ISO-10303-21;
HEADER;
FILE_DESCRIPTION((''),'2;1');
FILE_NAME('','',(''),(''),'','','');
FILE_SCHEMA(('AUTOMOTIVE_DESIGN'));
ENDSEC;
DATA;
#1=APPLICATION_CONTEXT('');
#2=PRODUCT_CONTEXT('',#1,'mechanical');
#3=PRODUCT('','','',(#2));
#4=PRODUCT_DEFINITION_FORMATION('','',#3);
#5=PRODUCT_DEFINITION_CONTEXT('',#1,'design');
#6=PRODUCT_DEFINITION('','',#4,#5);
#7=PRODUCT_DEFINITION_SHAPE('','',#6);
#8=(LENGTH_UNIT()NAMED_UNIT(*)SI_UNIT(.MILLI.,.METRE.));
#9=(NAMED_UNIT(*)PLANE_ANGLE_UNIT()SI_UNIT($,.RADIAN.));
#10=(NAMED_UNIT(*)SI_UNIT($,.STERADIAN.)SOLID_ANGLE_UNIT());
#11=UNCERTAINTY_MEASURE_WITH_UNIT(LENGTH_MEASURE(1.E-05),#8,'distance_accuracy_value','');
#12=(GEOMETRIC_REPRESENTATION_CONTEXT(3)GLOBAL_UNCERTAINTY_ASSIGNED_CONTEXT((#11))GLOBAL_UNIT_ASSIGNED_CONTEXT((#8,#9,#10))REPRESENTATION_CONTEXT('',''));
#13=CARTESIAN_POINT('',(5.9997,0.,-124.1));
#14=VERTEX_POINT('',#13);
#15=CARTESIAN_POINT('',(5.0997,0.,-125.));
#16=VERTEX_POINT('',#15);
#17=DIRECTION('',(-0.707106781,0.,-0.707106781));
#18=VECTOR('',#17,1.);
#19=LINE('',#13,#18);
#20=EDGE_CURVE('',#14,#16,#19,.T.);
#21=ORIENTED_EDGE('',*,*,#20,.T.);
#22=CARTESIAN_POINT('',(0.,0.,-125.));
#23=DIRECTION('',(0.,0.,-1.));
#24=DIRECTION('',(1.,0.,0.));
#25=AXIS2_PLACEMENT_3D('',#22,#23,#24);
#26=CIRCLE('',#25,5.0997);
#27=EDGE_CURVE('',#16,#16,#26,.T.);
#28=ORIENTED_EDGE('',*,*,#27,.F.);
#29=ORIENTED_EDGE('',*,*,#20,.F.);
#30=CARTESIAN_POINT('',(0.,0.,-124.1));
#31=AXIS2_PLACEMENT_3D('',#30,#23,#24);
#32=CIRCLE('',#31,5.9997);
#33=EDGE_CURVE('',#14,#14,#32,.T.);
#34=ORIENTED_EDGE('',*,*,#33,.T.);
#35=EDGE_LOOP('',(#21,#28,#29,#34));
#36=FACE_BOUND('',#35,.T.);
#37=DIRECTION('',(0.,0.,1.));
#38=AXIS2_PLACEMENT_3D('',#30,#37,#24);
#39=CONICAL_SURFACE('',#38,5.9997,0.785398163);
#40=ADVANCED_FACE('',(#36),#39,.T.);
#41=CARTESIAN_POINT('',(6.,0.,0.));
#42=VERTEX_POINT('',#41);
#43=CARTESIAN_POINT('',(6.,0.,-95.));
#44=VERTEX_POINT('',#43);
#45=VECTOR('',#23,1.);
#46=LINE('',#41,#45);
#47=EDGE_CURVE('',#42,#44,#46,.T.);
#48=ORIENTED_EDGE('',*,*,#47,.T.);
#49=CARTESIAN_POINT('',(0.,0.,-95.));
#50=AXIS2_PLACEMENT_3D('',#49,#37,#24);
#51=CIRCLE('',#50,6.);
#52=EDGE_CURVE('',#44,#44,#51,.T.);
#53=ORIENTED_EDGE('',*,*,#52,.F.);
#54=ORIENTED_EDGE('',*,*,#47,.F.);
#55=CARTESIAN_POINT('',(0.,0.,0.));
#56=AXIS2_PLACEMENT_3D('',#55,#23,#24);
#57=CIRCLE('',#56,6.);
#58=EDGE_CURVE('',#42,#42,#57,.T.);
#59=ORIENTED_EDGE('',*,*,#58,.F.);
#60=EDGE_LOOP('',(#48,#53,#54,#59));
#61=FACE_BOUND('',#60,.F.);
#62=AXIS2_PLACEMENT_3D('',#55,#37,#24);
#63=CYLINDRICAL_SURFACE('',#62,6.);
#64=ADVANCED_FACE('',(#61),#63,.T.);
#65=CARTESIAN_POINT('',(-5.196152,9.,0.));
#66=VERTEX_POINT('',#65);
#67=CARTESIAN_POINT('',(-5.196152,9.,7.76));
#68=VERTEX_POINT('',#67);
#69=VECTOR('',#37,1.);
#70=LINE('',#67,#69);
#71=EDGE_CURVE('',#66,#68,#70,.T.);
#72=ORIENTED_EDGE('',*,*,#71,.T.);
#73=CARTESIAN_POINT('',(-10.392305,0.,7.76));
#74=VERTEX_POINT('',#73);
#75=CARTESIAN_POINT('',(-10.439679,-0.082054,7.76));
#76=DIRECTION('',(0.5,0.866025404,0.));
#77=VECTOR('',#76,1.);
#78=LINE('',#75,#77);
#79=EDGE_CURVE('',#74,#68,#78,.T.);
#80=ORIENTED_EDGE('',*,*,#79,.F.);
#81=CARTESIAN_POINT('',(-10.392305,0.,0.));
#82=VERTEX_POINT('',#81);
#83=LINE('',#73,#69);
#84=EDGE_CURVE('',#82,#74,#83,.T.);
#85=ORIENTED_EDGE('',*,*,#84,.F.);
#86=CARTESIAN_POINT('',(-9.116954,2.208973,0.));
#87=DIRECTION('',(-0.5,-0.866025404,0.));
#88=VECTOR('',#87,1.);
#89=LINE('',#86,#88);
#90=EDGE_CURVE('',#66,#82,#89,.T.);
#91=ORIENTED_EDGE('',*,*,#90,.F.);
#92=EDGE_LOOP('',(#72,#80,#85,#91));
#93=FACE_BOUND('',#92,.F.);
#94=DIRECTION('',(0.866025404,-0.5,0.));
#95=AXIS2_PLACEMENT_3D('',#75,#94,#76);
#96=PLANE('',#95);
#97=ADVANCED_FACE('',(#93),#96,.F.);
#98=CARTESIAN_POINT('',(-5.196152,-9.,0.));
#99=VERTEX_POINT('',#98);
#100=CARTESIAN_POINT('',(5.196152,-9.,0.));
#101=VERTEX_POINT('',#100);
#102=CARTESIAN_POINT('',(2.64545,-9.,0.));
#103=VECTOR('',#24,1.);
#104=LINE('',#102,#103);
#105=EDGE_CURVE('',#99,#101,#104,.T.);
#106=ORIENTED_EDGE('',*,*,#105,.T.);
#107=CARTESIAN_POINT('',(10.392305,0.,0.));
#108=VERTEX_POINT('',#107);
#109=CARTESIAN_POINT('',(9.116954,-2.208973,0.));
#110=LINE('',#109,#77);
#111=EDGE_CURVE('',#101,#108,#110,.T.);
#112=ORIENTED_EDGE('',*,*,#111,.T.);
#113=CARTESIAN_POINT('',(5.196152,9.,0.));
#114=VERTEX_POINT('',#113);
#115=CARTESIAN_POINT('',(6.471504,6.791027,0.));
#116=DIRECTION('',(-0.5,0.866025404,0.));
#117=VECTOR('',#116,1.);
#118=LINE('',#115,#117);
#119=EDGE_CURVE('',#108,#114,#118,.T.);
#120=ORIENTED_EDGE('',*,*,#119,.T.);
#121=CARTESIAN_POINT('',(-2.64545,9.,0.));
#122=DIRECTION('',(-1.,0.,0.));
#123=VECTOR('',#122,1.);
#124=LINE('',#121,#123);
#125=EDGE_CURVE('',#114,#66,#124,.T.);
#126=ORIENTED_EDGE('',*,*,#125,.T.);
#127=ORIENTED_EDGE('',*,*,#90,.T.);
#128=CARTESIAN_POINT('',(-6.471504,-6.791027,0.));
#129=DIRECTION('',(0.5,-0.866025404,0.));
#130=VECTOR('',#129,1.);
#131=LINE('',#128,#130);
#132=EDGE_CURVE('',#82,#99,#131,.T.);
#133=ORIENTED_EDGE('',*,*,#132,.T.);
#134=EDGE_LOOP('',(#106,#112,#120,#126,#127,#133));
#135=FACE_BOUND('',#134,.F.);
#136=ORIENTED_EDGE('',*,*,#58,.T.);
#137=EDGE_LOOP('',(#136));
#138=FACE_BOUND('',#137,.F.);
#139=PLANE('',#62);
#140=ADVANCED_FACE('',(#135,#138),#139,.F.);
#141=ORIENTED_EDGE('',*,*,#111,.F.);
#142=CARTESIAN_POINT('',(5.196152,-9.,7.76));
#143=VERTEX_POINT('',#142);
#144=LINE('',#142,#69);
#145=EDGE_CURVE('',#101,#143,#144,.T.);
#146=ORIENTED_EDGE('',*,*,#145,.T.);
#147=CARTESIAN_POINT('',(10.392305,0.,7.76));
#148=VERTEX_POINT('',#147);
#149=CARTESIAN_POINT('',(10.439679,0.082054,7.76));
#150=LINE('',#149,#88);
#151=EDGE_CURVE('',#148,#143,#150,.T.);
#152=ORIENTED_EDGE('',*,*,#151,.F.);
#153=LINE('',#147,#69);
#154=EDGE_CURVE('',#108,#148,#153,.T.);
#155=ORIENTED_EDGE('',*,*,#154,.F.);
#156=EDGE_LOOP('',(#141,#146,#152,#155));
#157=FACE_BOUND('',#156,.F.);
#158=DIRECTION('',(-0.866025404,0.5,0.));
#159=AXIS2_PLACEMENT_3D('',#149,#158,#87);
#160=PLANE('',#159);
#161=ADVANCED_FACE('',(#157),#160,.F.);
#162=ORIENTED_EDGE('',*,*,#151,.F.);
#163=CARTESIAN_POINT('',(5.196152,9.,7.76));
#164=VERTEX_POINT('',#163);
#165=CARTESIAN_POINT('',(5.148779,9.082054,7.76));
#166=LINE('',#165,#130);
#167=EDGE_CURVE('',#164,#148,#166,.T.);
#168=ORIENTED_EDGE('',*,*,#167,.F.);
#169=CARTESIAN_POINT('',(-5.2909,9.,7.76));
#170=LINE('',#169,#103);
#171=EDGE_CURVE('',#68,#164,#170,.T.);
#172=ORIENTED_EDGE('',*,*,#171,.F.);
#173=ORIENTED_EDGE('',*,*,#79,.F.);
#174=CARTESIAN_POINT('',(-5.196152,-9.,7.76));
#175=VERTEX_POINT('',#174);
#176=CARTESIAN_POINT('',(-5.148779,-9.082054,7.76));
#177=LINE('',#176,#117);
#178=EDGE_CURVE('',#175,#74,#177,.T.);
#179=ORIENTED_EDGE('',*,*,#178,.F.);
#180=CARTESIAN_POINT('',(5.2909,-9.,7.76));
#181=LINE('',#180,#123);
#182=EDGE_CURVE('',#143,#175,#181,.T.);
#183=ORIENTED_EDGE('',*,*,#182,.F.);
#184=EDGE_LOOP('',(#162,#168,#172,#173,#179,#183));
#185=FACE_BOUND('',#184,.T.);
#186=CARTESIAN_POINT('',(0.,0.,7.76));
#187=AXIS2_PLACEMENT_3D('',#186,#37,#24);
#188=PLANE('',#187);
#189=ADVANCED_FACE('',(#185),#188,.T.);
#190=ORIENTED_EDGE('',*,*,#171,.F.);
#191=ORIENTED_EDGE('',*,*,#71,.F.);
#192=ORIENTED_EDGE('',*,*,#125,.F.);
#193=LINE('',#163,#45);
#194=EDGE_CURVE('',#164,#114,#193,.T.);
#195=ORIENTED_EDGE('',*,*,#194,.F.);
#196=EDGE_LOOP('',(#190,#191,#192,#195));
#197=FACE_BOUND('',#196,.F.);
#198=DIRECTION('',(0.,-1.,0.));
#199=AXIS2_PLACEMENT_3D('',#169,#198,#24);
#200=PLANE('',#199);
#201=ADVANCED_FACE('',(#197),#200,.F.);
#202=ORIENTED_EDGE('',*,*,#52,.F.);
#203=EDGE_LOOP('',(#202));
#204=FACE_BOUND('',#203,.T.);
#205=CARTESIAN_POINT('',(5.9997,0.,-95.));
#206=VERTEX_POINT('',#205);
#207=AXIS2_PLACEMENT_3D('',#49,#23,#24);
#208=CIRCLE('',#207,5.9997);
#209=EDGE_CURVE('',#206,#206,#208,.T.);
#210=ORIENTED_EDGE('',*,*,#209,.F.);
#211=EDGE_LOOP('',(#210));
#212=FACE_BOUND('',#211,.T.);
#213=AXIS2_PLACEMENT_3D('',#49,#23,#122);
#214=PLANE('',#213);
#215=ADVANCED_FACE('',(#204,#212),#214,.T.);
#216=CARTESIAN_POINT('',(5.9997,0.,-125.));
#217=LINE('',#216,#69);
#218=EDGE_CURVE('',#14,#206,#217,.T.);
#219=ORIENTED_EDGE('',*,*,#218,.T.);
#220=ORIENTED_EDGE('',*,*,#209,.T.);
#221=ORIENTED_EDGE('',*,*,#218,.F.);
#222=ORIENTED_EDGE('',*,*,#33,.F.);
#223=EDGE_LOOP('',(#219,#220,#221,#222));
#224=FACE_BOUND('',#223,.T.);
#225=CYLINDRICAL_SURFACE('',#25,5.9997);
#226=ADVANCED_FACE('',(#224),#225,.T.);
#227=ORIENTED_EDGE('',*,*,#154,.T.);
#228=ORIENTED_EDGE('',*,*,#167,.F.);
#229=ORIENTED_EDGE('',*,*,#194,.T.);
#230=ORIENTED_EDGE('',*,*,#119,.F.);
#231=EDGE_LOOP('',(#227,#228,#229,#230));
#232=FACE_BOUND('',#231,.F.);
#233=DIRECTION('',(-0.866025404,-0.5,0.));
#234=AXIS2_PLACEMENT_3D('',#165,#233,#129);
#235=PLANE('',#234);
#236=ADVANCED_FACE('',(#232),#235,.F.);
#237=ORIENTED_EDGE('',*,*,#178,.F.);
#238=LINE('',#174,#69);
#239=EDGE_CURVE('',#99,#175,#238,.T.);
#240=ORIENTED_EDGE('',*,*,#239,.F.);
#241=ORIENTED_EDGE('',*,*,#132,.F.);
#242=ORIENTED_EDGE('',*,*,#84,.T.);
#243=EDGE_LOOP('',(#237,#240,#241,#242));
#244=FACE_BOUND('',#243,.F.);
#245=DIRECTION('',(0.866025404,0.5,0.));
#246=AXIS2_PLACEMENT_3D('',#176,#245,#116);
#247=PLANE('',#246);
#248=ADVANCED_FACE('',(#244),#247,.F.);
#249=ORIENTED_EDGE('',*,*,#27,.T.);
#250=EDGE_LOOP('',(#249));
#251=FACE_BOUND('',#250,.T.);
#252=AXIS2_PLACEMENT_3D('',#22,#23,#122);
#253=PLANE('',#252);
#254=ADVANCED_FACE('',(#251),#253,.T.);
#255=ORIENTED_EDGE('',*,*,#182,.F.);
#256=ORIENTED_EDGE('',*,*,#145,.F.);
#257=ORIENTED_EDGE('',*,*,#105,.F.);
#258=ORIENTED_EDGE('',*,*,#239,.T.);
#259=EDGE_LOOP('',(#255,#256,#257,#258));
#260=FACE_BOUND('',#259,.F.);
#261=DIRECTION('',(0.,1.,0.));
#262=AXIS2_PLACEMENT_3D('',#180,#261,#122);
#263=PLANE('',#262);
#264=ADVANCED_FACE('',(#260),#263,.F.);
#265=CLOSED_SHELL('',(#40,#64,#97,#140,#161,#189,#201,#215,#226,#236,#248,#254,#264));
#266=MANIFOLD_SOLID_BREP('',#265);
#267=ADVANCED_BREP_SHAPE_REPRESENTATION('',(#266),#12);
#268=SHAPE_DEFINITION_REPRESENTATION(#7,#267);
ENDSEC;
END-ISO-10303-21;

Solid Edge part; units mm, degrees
sketch "Sketch1" plane through (0, 0, 0) normal (0, 0, 1) x (1, 0, 0)
  circle A0 centre (0, 0) radius 10.44
  dimension "D1" = 20.88
extrude "Protrusion1" add sketch "Sketch1" along normal blind 7.76
sketch "Sketch2" plane through (0, 0, 0) normal (0, 0, -1) x (1, 0, 0)
  circle A0 centre (0, 0) radius 6
extrude "Protrusion2" add sketch "Sketch2" along normal blind 125
sketch "Sketch3" plane through (0, 0, -125) normal (0, 0, -1) x (1, 0, 0)
  circle A0 centre (0, 0) radius 5.9997
extrude "Cutout1" cut sketch "Sketch3" against normal blind 30 flip side to cut
chamfer "Chamfer_1" distance 0.9 angle 45 1 edges at (-5.9997, 0, -125)
sketch "Sketch4" plane through (0, 0, 7.76) normal (0, 0, 1) x (1, 0, 0)
  line L0 (-5.2909, 9) -> (5.2909, 9)
  dimension "D1" = 18
extrude "Cutout2" cut sketch "Sketch4" against normal up to next material side at (0, 9.05, 7.76)
pattern_circular "Pattern1" count 6 over 360 about axis through (0, 0, 7.76) along (0, 0, 1) of "Cutout2"
properties part number "185553"
